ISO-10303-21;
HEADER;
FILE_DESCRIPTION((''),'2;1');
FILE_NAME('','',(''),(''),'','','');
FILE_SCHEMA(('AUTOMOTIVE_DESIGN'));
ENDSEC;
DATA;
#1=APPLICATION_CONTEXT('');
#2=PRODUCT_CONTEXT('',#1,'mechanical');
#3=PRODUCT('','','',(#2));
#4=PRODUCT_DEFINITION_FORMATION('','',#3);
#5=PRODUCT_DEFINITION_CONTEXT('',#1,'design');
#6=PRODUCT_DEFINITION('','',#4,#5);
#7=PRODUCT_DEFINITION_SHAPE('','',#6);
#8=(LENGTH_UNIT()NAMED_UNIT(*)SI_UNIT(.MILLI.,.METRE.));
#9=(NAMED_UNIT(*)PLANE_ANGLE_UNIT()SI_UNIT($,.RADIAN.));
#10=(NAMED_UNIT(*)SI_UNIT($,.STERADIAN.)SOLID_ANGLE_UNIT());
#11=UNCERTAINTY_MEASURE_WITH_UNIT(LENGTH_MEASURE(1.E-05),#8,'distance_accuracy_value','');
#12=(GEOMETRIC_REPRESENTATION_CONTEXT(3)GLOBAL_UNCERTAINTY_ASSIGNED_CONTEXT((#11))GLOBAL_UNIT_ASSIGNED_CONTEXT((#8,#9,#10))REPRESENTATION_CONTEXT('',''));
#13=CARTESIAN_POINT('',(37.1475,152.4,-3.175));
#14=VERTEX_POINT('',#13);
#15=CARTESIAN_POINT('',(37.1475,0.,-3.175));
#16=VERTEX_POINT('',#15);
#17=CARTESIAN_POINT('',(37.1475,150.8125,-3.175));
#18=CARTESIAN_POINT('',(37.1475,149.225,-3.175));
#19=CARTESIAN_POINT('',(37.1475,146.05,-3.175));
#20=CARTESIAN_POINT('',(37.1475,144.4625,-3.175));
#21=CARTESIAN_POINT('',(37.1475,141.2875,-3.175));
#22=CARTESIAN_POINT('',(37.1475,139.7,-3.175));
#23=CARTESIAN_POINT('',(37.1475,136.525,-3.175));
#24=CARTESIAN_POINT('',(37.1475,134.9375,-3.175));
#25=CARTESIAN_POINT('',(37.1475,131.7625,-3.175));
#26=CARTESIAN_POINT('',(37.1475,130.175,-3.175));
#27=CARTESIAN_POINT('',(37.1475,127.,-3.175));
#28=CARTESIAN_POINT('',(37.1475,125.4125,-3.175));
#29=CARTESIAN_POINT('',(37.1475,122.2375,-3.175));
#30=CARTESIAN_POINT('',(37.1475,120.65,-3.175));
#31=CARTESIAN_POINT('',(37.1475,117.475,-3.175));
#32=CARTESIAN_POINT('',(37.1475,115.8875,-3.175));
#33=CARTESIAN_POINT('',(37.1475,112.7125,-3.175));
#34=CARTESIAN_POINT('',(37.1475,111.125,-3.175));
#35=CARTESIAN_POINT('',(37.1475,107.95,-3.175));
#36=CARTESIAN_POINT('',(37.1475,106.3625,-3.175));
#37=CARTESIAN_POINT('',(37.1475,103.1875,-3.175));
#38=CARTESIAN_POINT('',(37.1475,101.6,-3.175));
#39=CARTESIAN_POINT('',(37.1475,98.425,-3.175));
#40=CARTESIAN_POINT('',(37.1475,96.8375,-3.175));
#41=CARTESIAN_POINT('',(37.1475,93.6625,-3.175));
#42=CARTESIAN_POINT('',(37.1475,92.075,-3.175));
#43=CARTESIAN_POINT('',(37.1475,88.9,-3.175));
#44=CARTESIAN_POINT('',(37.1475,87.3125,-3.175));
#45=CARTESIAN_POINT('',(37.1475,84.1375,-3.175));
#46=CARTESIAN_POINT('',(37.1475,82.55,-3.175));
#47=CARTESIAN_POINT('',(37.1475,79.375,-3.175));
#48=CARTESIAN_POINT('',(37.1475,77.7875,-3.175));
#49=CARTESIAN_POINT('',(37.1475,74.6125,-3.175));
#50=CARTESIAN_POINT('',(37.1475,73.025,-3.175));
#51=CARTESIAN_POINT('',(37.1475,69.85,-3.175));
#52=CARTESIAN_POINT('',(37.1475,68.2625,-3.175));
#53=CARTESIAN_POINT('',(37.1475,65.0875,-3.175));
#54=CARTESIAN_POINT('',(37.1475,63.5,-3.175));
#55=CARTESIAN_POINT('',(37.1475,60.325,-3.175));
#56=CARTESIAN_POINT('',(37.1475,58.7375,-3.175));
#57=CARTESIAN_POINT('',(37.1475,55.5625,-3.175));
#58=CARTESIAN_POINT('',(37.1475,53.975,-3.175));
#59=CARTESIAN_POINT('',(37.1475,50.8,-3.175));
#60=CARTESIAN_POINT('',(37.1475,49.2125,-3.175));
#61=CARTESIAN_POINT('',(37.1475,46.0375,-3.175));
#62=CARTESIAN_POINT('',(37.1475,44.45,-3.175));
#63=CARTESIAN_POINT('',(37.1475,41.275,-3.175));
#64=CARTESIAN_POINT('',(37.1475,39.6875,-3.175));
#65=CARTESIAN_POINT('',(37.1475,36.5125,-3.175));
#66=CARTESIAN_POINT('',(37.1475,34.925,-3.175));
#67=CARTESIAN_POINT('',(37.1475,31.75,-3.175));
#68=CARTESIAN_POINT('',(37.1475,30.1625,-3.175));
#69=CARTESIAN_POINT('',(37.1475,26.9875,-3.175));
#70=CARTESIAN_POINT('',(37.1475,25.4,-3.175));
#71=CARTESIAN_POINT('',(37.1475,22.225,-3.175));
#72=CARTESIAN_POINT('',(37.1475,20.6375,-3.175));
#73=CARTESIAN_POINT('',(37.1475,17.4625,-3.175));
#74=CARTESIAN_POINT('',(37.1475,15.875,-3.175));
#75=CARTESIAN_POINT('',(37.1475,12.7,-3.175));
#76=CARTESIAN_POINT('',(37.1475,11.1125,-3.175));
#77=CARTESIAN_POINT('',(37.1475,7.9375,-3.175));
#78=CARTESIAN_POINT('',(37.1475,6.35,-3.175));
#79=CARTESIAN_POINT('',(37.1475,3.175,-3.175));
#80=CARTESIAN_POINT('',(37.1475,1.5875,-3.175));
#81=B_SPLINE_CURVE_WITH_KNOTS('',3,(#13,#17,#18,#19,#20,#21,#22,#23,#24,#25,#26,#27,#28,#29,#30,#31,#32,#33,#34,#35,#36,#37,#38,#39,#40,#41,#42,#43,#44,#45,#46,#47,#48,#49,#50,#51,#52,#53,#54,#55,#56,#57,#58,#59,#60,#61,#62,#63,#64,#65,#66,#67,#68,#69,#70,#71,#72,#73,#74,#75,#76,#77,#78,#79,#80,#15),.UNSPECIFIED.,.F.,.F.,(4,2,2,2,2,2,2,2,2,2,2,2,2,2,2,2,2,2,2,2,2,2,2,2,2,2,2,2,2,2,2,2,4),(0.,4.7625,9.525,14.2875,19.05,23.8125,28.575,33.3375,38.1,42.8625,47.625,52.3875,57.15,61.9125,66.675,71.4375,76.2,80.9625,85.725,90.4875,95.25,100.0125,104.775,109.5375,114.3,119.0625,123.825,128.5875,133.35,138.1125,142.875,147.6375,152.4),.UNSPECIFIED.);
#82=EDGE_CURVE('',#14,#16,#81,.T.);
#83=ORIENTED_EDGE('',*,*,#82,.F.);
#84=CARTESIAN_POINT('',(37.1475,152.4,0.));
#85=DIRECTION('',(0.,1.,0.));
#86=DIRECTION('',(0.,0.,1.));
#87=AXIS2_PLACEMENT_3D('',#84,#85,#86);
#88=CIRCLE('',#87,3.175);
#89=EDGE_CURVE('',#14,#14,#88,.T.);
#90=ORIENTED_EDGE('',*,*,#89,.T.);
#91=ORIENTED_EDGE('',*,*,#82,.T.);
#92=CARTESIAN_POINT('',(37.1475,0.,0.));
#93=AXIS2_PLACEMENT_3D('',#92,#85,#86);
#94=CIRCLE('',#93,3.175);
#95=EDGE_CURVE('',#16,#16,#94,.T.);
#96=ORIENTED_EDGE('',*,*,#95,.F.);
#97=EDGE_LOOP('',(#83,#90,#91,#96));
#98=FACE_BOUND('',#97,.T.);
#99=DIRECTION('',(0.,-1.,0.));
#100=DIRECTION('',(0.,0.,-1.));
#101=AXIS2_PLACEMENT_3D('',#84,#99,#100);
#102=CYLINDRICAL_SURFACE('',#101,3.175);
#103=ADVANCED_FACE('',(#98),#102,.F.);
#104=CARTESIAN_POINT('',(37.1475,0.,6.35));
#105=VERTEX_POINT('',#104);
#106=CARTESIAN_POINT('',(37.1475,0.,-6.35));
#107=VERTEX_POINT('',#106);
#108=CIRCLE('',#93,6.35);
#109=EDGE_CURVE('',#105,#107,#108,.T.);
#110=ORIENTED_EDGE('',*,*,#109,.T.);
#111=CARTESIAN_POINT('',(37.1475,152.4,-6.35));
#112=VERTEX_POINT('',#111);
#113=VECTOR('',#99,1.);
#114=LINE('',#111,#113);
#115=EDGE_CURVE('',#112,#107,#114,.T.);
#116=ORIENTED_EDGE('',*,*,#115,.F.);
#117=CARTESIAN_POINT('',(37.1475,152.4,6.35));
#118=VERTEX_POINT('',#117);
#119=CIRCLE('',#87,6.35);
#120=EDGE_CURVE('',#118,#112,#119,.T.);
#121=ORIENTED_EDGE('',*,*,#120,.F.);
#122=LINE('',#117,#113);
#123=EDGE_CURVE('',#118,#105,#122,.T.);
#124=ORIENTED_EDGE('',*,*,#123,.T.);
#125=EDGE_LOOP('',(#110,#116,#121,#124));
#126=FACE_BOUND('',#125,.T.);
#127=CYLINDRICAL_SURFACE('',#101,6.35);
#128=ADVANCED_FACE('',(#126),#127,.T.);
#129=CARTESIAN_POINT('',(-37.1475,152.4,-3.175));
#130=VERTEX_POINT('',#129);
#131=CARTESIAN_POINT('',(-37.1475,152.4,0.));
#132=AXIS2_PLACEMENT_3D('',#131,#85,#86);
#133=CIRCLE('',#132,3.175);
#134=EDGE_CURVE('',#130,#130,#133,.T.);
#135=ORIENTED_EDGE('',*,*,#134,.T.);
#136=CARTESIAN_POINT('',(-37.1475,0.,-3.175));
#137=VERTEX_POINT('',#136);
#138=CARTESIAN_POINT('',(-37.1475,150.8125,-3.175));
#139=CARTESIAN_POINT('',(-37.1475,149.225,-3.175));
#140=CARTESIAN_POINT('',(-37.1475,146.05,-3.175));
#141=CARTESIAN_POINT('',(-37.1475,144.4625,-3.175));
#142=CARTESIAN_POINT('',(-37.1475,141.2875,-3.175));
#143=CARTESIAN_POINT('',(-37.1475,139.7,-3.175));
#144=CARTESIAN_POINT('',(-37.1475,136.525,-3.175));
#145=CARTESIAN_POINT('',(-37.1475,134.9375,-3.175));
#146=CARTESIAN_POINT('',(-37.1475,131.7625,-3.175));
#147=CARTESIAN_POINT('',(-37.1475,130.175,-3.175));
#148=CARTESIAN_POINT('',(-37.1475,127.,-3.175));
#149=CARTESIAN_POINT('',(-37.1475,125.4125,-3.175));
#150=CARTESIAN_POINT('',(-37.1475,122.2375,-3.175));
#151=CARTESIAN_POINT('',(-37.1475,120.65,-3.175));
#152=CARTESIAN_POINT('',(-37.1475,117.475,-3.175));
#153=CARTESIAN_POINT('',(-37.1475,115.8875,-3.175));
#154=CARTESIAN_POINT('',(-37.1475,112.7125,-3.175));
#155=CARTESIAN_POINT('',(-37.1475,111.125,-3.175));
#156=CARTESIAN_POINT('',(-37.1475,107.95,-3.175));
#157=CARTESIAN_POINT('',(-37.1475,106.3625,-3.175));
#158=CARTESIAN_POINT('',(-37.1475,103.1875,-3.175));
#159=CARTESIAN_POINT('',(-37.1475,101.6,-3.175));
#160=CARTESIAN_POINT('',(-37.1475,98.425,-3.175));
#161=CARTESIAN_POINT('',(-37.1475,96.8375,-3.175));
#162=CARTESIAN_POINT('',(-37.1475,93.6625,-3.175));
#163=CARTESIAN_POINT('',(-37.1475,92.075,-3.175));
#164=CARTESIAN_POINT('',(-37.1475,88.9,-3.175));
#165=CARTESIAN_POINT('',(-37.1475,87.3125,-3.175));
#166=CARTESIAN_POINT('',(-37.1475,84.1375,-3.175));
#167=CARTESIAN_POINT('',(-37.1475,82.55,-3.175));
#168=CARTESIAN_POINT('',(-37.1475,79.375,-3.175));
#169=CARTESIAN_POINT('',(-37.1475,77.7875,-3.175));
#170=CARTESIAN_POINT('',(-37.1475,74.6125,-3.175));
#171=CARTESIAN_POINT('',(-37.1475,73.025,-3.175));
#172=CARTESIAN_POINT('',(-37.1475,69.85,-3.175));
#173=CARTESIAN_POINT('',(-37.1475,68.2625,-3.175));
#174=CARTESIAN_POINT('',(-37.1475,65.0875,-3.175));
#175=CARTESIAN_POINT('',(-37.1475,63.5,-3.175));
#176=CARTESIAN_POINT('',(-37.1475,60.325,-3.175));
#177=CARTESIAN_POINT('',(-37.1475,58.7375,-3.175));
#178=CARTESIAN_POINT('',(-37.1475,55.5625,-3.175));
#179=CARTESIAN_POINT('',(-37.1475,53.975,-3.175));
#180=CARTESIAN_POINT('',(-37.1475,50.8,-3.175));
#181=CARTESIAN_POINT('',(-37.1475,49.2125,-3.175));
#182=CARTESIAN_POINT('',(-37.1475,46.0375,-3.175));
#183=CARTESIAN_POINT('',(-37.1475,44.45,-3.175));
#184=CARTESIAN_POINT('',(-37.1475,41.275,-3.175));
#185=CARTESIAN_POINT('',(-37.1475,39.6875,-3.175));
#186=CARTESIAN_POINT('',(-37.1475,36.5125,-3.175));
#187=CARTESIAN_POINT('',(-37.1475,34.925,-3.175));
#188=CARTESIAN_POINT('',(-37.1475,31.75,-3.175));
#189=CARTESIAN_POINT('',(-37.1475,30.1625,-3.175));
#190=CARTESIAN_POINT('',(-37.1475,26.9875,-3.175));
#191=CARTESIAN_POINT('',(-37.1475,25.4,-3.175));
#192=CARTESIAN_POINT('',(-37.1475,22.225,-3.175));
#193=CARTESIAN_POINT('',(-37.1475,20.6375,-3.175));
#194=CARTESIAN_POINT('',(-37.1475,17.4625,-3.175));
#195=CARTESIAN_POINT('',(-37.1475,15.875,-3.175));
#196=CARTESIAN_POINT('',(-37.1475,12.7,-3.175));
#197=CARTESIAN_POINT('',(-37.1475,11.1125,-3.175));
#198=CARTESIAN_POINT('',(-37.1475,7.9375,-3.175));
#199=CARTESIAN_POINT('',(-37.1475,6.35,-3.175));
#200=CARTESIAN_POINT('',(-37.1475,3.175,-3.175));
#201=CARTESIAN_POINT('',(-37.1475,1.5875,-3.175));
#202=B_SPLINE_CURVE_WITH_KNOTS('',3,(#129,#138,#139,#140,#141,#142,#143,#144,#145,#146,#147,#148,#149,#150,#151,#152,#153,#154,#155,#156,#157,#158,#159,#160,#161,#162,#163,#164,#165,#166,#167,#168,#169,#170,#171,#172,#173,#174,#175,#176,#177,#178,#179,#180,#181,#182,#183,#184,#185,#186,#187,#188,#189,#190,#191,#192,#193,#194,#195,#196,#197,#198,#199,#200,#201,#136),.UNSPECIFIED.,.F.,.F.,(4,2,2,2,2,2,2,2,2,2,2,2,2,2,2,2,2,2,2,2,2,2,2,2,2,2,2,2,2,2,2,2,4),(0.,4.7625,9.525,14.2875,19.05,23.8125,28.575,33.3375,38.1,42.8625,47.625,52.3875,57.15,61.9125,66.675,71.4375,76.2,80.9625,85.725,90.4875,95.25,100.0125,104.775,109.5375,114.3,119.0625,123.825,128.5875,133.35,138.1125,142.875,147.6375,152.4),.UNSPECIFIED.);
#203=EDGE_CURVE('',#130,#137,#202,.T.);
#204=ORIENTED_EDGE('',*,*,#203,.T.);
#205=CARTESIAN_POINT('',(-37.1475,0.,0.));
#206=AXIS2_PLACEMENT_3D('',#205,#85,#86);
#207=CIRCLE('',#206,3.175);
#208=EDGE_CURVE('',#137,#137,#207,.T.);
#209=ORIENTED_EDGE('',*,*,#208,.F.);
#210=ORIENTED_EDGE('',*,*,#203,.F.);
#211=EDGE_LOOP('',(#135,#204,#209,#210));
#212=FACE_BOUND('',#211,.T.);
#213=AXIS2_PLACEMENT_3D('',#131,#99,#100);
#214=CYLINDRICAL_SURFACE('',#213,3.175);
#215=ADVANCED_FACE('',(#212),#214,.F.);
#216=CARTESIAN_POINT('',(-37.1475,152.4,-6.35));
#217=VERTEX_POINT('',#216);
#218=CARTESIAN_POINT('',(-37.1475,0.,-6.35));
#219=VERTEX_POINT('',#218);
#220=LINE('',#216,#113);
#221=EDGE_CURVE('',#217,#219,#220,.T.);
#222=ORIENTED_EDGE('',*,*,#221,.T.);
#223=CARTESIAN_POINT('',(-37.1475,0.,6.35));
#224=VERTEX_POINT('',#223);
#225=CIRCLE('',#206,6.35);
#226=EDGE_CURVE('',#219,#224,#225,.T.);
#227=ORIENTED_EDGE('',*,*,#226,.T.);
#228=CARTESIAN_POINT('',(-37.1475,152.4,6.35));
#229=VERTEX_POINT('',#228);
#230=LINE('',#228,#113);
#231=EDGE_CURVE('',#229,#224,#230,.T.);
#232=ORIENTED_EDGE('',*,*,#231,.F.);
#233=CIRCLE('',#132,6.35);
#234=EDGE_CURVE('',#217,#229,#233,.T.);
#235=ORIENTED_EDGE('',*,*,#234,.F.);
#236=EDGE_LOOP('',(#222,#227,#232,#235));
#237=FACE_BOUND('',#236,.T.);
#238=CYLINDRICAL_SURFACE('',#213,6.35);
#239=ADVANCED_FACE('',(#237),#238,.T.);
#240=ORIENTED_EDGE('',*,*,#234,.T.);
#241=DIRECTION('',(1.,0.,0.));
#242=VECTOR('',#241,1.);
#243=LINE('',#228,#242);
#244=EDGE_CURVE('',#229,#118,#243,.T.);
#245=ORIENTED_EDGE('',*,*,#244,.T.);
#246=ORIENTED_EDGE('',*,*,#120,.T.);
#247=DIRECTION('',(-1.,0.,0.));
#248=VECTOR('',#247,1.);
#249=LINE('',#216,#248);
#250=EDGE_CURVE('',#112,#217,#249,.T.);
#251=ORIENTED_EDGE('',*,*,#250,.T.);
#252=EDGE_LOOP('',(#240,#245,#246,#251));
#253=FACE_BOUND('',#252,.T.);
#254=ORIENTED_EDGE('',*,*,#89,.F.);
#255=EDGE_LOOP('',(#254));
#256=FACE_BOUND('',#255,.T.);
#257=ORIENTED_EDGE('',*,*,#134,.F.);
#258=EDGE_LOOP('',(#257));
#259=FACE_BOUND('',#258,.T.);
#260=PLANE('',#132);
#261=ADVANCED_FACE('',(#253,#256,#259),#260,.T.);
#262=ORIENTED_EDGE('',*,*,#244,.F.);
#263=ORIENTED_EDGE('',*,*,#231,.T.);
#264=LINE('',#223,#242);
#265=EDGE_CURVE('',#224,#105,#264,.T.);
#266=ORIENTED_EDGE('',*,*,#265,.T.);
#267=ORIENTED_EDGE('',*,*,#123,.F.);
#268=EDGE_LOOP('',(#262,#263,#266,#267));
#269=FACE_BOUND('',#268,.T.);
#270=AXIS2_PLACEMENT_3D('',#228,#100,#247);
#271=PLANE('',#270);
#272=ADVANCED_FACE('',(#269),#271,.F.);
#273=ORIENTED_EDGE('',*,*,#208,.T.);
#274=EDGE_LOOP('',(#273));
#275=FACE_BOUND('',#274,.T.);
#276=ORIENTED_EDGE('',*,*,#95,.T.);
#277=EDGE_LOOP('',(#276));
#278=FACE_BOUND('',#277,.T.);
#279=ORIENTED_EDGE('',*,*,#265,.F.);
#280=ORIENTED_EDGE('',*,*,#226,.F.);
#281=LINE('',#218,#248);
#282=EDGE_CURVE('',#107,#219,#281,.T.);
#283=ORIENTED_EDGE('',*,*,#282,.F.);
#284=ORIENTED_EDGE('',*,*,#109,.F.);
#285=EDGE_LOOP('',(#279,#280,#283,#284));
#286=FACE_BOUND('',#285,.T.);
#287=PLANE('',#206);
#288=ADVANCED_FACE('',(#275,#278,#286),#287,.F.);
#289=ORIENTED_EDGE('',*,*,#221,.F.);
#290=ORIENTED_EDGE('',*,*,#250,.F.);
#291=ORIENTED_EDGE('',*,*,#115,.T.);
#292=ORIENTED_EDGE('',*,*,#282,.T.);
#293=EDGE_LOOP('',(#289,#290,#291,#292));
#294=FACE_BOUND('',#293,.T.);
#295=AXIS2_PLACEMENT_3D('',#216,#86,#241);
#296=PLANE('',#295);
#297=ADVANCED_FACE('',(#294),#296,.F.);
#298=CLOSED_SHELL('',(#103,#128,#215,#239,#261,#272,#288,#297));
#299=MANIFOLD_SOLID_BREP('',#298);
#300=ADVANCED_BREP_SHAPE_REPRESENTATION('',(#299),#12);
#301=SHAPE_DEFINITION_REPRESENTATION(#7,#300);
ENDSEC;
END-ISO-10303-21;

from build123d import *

# Parameters (mm, degrees)
SKETCH1_R           = 3.175
BOSS_EXTRUDE1_DEPTH = 152.4


with BuildPart() as part:
    # Sketch1 → Boss-Extrude1 (new body)
    with BuildSketch(Plane(origin=(0, 0, 0), x_dir=(1, 0, 0), z_dir=(0, 1, 0))):
        with BuildLine():
            Line((-37.1475, 6.35), (37.1475, 6.35))
            ThreePointArc((37.1475, 6.35), (43.4975, 0), (37.1475, -6.35))
            Line((37.1475, -6.35), (-37.1475, -6.35))
            ThreePointArc((-37.1475, -6.35), (-43.4975, 0), (-37.1475, 6.35))
        make_face()
        with Locations(Location((37.1475, 0, 0), (0, 0, 90))):
            Circle(SKETCH1_R, mode=Mode.SUBTRACT)
        with Locations(Location((-37.1475, 0, 0), (0, 0, 90))):
            Circle(SKETCH1_R, mode=Mode.SUBTRACT)
    extrude(amount=BOSS_EXTRUDE1_DEPTH)


solid = part.part
